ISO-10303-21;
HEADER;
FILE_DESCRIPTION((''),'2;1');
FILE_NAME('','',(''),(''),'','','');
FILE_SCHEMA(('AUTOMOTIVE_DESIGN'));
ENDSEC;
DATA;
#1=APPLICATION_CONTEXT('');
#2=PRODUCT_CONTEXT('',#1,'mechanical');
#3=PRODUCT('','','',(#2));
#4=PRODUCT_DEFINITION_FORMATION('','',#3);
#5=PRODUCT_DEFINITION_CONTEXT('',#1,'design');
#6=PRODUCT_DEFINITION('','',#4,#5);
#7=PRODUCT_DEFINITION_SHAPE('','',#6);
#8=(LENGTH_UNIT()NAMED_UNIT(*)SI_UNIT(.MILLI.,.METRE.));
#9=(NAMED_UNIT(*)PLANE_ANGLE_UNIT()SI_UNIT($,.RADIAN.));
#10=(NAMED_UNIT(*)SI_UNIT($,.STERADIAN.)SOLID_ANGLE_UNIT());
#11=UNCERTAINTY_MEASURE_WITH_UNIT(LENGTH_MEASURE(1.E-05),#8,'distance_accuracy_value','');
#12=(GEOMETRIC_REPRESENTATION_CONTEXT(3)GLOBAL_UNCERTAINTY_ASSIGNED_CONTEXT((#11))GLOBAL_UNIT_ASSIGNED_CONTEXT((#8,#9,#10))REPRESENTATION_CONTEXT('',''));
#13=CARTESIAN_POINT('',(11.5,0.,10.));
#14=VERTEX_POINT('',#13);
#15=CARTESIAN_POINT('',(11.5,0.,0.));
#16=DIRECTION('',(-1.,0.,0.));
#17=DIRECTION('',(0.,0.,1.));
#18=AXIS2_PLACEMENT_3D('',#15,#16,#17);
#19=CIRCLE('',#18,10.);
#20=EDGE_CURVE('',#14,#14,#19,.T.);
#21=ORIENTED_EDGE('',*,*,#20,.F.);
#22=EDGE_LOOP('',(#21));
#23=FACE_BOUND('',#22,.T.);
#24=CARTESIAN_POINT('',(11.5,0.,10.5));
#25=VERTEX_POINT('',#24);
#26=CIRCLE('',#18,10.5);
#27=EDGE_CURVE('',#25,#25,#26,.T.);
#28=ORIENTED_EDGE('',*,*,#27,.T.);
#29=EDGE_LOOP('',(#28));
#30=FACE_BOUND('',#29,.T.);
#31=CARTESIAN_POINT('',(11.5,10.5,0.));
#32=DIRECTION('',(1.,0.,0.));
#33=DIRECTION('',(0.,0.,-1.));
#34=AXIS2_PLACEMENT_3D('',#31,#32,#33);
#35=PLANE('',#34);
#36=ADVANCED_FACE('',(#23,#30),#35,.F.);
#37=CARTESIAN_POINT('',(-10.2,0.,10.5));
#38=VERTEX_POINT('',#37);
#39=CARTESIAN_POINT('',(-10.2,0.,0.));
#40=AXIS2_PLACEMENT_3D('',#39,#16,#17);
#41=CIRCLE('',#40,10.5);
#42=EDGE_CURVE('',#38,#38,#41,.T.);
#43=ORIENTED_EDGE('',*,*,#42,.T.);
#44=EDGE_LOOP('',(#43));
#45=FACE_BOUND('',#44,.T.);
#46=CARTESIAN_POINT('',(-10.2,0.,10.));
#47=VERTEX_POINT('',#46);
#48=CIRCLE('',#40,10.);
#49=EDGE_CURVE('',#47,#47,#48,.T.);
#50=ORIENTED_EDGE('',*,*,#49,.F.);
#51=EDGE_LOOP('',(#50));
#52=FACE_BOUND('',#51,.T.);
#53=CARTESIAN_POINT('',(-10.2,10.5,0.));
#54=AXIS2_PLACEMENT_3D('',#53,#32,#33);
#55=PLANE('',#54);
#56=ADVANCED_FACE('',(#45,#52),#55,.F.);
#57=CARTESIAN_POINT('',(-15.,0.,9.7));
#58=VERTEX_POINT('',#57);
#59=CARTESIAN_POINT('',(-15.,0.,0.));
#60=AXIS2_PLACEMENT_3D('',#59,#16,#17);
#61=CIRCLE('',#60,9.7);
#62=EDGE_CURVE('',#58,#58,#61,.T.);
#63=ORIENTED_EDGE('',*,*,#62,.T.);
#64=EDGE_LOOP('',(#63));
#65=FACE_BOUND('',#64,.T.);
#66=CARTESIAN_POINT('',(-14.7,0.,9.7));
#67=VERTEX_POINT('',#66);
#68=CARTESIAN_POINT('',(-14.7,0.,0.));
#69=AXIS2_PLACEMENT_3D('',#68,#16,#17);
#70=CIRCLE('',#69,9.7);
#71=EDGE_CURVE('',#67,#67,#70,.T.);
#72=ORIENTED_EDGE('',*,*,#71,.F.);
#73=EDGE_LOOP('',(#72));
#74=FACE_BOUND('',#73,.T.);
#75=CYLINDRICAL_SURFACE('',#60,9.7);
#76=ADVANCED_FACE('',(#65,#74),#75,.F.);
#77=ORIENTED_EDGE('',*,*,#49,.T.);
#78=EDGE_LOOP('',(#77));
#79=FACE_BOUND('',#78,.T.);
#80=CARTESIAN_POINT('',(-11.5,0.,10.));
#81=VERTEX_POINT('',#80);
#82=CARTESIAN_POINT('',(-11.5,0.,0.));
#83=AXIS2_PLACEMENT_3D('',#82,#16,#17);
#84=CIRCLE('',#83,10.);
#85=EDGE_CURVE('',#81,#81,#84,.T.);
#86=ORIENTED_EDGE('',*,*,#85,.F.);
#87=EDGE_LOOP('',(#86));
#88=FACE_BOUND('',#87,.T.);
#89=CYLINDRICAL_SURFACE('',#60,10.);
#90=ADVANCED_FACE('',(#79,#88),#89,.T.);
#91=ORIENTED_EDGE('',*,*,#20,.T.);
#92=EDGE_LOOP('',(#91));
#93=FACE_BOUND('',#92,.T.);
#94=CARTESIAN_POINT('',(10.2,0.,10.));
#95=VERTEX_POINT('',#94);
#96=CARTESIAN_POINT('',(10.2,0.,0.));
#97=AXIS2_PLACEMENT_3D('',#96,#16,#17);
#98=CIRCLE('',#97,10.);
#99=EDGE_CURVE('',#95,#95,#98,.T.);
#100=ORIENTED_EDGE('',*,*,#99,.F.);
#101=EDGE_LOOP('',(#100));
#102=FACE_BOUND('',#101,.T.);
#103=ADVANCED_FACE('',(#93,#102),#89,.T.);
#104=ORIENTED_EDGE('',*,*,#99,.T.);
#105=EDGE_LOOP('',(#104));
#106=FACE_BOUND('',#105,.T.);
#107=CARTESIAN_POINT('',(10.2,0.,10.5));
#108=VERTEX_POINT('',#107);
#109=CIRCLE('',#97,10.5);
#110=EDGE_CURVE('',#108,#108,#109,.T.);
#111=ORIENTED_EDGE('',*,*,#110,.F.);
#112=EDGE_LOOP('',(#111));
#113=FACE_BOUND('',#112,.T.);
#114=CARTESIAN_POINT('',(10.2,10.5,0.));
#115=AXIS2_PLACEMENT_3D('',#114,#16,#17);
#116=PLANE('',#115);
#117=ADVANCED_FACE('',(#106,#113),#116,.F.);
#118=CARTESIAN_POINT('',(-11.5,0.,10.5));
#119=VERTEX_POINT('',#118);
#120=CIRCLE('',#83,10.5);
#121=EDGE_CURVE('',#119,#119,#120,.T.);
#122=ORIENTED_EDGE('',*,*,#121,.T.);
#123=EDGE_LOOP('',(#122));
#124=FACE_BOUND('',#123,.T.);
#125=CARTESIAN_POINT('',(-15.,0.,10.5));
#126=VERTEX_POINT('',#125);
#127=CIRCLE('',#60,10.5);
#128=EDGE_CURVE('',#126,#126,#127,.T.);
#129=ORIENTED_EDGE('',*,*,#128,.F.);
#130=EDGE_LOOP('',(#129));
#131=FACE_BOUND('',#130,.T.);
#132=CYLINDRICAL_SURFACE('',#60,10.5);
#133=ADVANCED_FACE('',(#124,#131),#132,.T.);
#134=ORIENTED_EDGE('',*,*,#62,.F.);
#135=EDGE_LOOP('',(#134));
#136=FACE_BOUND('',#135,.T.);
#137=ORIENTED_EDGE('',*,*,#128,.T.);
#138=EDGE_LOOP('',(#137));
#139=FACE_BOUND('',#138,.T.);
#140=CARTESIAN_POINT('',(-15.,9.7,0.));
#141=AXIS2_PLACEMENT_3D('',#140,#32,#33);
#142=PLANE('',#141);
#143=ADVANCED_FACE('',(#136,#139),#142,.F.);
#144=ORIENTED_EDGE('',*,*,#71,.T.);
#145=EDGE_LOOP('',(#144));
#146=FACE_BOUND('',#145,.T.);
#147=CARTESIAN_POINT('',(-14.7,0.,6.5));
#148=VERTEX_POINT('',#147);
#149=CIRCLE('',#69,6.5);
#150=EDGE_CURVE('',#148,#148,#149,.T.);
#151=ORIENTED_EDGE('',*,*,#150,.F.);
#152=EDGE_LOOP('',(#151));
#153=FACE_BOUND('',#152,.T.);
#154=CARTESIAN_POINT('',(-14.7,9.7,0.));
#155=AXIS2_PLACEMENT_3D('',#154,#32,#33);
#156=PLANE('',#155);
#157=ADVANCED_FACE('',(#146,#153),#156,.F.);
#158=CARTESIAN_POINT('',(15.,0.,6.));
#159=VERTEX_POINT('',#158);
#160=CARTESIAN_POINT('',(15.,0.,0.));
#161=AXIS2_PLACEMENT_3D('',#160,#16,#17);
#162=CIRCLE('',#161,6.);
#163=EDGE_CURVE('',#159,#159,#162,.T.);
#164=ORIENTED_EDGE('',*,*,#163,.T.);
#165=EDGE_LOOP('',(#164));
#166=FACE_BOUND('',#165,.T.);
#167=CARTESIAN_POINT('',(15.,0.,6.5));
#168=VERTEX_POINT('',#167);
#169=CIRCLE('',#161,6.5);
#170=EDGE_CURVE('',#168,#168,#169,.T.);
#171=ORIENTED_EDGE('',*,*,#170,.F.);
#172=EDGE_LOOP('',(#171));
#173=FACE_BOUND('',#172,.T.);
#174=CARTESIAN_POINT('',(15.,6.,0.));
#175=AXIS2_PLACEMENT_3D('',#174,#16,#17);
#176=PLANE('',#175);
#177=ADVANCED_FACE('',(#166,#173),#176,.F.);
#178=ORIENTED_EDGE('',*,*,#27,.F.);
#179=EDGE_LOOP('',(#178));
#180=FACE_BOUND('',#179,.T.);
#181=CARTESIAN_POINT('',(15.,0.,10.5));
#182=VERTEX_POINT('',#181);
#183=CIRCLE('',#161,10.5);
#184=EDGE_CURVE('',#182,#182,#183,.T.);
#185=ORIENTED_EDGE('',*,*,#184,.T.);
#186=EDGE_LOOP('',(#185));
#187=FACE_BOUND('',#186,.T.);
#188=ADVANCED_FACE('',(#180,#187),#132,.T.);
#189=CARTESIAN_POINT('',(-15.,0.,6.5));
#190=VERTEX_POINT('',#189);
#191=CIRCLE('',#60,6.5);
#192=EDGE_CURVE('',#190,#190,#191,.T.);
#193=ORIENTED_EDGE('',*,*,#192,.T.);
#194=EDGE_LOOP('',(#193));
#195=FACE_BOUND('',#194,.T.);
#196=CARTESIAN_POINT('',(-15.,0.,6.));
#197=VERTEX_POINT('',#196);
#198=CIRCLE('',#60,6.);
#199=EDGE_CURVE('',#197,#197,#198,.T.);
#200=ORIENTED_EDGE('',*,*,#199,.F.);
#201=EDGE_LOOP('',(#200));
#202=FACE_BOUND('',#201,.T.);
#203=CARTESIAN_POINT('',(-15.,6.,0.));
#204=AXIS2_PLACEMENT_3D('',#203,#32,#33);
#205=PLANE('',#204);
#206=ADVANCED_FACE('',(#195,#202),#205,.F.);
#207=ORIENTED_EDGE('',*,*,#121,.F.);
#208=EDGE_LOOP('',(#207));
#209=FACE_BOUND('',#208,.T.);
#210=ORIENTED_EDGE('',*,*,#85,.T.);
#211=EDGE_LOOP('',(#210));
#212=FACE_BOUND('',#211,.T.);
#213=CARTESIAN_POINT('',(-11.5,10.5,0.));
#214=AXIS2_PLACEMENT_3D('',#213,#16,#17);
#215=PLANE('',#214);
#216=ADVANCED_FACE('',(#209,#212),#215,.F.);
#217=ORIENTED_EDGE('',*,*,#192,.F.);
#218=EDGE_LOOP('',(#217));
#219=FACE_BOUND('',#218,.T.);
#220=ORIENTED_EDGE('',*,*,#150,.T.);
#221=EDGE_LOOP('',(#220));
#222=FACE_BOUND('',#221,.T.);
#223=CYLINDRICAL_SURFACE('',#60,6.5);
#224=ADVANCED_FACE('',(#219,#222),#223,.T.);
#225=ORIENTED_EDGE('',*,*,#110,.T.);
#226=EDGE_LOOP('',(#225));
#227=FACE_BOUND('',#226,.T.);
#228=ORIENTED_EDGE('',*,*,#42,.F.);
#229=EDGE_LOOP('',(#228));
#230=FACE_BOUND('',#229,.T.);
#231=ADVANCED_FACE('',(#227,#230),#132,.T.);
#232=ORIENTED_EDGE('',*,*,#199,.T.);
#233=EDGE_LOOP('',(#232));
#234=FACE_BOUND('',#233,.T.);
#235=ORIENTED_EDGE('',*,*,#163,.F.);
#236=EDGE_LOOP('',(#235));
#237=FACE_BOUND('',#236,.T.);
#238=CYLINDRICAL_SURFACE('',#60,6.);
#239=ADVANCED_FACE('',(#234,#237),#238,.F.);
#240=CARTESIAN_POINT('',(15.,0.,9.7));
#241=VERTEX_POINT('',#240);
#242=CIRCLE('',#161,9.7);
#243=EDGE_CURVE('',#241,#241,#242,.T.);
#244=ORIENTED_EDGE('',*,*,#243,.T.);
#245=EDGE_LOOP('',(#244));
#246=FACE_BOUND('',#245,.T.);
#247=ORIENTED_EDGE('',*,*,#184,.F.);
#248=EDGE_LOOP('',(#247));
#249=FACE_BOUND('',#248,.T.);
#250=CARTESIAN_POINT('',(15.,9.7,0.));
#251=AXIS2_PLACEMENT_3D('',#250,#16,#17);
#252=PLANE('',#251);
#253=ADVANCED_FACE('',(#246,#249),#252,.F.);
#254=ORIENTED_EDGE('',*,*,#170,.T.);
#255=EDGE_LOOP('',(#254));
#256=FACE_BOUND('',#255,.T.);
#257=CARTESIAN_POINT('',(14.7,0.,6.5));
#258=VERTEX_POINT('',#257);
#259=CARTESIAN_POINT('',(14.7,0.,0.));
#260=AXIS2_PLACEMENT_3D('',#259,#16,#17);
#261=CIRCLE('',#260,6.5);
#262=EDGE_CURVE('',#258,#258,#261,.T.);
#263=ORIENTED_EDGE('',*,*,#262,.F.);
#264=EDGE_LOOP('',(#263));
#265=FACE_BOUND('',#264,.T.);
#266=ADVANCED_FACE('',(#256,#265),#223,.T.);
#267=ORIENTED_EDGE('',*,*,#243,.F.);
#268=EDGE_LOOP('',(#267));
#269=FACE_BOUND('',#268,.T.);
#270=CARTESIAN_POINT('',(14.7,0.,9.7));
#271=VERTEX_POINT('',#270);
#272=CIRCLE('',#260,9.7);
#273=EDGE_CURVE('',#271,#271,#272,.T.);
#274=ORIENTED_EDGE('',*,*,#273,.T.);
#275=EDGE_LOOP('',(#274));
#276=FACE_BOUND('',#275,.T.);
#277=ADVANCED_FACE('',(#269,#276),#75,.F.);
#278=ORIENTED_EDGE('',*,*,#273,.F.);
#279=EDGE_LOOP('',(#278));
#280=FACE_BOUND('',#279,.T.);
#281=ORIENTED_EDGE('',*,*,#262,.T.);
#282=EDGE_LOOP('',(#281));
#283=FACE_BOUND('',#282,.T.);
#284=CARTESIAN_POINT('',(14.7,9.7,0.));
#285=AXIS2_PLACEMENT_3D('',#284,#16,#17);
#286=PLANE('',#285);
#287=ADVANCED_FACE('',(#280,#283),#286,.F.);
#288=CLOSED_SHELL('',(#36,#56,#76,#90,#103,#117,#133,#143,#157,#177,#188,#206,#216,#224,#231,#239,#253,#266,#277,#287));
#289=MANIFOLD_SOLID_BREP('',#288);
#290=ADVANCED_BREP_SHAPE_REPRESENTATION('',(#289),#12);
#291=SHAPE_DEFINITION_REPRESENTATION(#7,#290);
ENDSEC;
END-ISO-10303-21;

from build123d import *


with BuildPart() as part:
    # Sketch1 → Revolve1 (revolve)
    with BuildSketch(Plane.XY, mode=Mode.PRIVATE) as revolve1_sk:
        Polygon((-15, 6), (15, 6), (15, 6.5), (14.7, 6.5), (14.7, 9.7), (15, 9.7), (15, 10.5), (11.5, 10.5), (11.5, 10), (10.2, 10), (10.2, 10.5), (-10.2, 10.5), (-10.2, 10), (-11.5, 10), (-11.5, 10.5), (-15, 10.5), (-15, 9.7), (-14.7, 9.7), (-14.7, 6.5), (-15, 6.5), align=None)
    revolve(revolve1_sk.sketch.rotate(Axis((-15, 0, 0), (1, 0, 0)), 90), axis=Axis((-15, 0, 0), (1, 0, 0)))


solid = part.part
